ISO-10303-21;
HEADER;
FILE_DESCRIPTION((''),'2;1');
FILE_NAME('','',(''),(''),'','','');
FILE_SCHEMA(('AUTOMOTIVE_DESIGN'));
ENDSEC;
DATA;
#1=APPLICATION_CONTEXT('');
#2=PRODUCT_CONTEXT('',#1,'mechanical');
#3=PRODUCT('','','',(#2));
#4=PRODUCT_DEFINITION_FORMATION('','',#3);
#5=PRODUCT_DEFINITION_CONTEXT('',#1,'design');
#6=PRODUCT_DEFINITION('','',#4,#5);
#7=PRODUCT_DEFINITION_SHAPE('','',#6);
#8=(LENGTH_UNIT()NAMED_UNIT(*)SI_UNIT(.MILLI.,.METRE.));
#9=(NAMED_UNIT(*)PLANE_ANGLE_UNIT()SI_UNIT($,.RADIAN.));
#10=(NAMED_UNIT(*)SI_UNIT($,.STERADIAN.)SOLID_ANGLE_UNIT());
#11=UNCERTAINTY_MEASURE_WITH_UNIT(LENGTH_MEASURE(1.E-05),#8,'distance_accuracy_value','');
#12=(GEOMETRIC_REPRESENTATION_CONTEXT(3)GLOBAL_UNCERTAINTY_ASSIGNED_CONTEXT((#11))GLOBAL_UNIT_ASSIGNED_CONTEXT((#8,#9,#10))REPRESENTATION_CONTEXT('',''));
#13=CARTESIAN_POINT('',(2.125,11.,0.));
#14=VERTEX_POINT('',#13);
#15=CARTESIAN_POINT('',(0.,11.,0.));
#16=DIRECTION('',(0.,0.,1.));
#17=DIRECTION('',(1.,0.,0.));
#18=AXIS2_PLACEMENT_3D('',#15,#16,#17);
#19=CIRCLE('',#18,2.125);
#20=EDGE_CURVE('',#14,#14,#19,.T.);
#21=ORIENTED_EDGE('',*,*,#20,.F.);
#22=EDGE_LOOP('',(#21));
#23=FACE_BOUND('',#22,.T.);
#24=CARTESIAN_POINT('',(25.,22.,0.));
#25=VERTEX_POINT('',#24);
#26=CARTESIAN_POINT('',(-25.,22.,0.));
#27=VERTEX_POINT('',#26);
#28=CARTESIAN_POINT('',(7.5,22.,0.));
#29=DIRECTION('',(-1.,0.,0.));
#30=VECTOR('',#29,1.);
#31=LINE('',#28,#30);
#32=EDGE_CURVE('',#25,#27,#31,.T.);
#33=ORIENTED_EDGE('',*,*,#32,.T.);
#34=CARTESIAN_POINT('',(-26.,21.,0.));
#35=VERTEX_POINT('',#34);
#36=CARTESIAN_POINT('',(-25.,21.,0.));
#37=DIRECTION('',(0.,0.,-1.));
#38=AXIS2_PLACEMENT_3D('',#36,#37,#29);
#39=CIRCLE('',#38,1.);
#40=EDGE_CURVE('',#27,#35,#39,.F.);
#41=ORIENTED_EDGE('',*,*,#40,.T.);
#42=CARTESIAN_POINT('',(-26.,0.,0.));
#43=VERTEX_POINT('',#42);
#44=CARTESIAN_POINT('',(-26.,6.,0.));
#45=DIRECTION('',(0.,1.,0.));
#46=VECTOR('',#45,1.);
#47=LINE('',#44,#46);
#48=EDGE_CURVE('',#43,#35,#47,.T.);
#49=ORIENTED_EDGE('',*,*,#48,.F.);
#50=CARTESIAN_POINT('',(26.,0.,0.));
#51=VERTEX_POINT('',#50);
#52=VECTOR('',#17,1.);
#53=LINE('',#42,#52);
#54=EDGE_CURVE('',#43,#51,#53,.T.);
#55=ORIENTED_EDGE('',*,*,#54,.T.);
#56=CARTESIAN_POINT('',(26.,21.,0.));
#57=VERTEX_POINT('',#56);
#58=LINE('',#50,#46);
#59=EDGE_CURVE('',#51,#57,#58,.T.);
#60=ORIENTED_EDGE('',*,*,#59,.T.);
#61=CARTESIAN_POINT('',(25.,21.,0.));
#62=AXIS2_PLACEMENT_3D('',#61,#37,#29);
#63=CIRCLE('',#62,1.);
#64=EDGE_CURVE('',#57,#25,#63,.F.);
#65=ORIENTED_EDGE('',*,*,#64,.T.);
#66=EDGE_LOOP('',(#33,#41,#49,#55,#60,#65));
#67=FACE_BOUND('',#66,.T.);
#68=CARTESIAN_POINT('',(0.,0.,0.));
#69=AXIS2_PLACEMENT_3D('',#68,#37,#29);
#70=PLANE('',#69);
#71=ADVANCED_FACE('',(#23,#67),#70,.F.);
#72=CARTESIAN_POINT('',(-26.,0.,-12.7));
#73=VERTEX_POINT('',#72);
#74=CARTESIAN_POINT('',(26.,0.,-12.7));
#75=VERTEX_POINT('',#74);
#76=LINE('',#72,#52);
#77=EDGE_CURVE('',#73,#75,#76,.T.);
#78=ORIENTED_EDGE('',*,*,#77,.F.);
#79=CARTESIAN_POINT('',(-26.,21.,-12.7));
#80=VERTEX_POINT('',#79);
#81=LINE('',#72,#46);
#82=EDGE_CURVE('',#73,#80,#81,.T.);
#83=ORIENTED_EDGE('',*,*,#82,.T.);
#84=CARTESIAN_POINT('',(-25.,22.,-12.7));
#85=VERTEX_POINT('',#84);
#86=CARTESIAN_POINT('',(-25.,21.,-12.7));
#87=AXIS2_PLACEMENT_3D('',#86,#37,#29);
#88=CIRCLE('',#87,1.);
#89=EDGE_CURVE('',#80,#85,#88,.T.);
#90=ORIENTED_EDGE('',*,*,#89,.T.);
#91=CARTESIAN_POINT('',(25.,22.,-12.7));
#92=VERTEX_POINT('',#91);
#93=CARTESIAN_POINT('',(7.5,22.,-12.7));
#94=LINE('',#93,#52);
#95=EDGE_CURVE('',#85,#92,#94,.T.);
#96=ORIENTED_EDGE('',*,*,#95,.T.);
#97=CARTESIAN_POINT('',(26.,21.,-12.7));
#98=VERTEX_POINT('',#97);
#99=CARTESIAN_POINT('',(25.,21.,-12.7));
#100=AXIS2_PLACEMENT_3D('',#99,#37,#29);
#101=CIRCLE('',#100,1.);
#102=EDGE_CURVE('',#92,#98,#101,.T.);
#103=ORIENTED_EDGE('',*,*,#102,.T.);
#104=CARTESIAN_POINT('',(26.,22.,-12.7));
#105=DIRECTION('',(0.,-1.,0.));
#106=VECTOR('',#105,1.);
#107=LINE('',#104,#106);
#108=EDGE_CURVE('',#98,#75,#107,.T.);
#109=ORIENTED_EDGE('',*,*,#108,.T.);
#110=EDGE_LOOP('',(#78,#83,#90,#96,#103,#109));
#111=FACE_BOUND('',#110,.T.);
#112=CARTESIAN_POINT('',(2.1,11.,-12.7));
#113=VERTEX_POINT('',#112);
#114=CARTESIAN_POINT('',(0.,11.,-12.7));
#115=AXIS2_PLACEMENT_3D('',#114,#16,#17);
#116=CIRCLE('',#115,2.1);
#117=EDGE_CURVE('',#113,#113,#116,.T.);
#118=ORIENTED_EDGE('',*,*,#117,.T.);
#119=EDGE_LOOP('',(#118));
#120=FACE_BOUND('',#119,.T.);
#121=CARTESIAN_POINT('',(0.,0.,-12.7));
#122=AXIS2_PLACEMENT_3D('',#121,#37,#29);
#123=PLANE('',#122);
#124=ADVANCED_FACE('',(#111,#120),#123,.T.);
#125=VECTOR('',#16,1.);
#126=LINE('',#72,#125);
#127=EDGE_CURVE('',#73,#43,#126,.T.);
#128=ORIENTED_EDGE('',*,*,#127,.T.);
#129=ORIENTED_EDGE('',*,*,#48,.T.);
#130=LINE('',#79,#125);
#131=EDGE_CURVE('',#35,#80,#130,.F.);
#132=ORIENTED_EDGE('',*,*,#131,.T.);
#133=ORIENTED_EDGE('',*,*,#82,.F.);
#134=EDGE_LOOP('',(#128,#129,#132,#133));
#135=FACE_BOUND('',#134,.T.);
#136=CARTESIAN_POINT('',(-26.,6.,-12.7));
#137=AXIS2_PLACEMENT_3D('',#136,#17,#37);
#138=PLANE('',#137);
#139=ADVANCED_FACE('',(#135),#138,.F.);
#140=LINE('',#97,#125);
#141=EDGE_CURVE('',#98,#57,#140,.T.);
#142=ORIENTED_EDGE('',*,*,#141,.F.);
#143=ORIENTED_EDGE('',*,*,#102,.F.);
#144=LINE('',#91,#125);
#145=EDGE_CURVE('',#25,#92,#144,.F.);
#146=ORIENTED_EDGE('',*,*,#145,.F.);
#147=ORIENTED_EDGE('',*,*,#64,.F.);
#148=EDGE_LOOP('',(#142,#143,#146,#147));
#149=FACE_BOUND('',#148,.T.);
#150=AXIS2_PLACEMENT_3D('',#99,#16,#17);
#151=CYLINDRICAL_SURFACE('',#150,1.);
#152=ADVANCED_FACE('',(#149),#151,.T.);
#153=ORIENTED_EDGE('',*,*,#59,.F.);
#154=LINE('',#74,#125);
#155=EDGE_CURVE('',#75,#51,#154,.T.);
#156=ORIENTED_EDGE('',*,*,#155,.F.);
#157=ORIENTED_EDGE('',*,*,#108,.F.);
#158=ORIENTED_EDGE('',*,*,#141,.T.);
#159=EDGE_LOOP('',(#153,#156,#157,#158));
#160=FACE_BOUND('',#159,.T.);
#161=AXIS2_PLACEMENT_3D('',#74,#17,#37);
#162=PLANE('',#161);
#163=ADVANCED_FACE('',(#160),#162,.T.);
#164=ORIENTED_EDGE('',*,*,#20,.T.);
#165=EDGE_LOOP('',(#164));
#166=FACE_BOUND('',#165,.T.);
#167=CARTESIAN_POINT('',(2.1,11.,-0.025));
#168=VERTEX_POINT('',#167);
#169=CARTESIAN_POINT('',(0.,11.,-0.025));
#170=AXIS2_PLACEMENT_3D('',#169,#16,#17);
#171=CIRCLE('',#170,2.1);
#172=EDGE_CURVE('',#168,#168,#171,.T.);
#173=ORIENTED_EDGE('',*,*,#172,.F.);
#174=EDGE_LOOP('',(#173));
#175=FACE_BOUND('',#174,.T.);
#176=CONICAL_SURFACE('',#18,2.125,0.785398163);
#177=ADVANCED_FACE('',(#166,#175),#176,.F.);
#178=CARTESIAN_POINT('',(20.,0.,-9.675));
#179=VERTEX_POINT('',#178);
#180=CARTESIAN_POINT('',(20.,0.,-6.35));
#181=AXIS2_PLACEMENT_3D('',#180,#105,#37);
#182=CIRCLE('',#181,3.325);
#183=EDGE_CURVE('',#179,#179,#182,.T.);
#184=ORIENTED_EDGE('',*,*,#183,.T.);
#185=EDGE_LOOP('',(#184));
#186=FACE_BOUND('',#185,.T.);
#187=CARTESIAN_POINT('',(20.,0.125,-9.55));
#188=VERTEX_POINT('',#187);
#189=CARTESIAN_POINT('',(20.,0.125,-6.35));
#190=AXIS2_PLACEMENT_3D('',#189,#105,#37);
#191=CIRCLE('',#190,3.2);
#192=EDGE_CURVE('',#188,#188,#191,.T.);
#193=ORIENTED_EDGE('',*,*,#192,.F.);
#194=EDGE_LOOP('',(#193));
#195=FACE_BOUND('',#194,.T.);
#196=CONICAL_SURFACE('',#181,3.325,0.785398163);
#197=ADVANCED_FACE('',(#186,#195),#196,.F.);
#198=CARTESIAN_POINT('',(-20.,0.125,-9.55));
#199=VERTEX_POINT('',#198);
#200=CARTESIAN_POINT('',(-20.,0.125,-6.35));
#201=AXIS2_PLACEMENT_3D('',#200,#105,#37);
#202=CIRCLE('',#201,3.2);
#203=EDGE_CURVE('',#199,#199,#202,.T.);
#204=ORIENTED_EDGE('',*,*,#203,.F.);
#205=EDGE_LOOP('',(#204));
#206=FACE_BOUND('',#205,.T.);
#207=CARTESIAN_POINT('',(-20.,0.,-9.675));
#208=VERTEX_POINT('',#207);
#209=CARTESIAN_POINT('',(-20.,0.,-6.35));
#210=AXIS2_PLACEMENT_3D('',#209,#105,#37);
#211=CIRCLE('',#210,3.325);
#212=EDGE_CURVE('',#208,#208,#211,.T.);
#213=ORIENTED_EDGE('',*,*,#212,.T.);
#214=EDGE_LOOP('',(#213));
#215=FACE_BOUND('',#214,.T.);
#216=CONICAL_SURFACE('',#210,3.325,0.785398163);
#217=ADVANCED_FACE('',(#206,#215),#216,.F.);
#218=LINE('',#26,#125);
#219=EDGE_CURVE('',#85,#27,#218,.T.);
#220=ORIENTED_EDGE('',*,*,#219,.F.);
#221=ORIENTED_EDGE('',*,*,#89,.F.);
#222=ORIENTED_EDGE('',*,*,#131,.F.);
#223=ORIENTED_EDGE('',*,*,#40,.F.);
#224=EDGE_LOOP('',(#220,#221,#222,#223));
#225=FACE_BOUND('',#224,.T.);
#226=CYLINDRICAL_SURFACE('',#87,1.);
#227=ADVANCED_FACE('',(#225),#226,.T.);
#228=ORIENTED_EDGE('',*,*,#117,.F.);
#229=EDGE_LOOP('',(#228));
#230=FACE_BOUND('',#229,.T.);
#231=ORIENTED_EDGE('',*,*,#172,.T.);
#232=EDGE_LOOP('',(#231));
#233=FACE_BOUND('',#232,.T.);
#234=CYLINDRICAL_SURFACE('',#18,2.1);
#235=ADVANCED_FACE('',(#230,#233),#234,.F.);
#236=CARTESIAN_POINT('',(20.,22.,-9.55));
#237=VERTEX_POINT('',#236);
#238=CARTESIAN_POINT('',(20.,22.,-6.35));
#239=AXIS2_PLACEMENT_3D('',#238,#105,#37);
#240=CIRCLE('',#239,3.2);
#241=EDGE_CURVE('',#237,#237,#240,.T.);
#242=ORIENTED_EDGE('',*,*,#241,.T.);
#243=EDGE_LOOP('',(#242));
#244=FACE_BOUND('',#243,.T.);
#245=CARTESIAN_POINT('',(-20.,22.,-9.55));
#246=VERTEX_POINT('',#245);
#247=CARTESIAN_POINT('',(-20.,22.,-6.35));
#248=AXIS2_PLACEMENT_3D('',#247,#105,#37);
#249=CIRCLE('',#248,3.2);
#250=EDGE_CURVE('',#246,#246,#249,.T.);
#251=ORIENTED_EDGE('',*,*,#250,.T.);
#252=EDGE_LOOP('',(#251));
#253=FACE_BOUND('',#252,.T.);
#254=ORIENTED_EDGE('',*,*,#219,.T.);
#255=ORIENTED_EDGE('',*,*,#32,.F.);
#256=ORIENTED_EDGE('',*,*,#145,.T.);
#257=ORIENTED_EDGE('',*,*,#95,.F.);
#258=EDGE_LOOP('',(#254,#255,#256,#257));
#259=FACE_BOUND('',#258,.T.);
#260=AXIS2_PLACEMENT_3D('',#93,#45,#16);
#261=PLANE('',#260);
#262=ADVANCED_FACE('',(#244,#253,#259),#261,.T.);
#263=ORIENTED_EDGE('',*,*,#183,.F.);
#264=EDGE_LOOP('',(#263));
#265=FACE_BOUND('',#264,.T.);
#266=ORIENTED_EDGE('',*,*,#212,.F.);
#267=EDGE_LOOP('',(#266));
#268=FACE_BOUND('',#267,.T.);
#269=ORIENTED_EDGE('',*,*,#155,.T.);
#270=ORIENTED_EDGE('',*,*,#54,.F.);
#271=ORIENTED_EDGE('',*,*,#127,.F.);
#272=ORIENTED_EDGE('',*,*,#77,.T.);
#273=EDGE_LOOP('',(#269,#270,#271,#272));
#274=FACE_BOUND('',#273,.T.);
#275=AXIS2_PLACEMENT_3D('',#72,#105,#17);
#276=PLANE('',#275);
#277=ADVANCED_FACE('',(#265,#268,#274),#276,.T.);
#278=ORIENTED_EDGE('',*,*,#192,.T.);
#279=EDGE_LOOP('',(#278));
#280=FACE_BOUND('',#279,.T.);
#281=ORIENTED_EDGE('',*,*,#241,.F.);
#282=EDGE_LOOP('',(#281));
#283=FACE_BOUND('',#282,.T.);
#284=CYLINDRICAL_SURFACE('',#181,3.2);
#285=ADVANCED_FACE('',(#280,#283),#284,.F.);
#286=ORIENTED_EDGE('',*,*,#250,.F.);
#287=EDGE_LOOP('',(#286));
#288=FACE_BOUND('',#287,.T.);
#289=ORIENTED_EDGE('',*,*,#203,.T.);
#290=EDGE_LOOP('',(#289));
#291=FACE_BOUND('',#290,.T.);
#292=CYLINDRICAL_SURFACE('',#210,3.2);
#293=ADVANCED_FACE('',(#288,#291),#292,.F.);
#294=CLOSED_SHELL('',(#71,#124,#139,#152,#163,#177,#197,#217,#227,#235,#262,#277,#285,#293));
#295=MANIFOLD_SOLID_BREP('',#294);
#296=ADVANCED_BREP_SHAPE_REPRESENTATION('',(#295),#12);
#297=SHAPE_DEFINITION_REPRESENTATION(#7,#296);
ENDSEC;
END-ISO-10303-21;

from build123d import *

# Parameters (mm, degrees)
BOSS_EXTRUDE1_DEPTH                   = 12.7
TAP_DRILL_FOR_M5X0_8_TAP1_D           = 4.2
TAP_DRILL_FOR_M5X0_8_TAP1_CSINK_D     = 4.25
TAP_DRILL_FOR_M5X0_8_TAP1_CSINK_ANGLE = 90
M6_CLEARANCE_HOLE1_D                  = 6.4
M6_CLEARANCE_HOLE1_CSINK_D            = 6.65
M6_CLEARANCE_HOLE1_CSINK_ANGLE        = 90
FILLET1_R                             = 1


with BuildPart() as part:
    # Sketch1 → Boss-Extrude1 (new body)
    with BuildSketch(Plane.XY):
        Polygon((-26, 0), (26, 0), (26, 6), (26, 22), (7.5, 22), (-7.5, 22), (-26, 22), (-26, 6), align=None)
    extrude(amount=-BOSS_EXTRUDE1_DEPTH)

    # Tap Drill for M5x0.8 Tap1 (through all)
    with Locations(Plane(origin=(0, 11, 0), x_dir=(1, 0, 0), z_dir=(0, 0, 1))):
        with Locations((0, 0)):
            CounterSinkHole(TAP_DRILL_FOR_M5X0_8_TAP1_D / 2, TAP_DRILL_FOR_M5X0_8_TAP1_CSINK_D / 2, counter_sink_angle=TAP_DRILL_FOR_M5X0_8_TAP1_CSINK_ANGLE)

    # M6 Clearance Hole1 (through all)
    with Locations(Plane(origin=(-20, 0, -6.35), x_dir=(-1, 0, 0), z_dir=(0, -1, 0))):
        with Locations((0, 0), (-40, 0)):
            CounterSinkHole(M6_CLEARANCE_HOLE1_D / 2, M6_CLEARANCE_HOLE1_CSINK_D / 2, counter_sink_angle=M6_CLEARANCE_HOLE1_CSINK_ANGLE)

    # Fillet1
    fillet1_edges = [part.edges().sort_by_distance(p)[0] for p in [
        (-26, 22, -6.35),
        (26, 22, -6.35),
    ]]
    fillet(fillet1_edges, radius=FILLET1_R)


solid = part.part
